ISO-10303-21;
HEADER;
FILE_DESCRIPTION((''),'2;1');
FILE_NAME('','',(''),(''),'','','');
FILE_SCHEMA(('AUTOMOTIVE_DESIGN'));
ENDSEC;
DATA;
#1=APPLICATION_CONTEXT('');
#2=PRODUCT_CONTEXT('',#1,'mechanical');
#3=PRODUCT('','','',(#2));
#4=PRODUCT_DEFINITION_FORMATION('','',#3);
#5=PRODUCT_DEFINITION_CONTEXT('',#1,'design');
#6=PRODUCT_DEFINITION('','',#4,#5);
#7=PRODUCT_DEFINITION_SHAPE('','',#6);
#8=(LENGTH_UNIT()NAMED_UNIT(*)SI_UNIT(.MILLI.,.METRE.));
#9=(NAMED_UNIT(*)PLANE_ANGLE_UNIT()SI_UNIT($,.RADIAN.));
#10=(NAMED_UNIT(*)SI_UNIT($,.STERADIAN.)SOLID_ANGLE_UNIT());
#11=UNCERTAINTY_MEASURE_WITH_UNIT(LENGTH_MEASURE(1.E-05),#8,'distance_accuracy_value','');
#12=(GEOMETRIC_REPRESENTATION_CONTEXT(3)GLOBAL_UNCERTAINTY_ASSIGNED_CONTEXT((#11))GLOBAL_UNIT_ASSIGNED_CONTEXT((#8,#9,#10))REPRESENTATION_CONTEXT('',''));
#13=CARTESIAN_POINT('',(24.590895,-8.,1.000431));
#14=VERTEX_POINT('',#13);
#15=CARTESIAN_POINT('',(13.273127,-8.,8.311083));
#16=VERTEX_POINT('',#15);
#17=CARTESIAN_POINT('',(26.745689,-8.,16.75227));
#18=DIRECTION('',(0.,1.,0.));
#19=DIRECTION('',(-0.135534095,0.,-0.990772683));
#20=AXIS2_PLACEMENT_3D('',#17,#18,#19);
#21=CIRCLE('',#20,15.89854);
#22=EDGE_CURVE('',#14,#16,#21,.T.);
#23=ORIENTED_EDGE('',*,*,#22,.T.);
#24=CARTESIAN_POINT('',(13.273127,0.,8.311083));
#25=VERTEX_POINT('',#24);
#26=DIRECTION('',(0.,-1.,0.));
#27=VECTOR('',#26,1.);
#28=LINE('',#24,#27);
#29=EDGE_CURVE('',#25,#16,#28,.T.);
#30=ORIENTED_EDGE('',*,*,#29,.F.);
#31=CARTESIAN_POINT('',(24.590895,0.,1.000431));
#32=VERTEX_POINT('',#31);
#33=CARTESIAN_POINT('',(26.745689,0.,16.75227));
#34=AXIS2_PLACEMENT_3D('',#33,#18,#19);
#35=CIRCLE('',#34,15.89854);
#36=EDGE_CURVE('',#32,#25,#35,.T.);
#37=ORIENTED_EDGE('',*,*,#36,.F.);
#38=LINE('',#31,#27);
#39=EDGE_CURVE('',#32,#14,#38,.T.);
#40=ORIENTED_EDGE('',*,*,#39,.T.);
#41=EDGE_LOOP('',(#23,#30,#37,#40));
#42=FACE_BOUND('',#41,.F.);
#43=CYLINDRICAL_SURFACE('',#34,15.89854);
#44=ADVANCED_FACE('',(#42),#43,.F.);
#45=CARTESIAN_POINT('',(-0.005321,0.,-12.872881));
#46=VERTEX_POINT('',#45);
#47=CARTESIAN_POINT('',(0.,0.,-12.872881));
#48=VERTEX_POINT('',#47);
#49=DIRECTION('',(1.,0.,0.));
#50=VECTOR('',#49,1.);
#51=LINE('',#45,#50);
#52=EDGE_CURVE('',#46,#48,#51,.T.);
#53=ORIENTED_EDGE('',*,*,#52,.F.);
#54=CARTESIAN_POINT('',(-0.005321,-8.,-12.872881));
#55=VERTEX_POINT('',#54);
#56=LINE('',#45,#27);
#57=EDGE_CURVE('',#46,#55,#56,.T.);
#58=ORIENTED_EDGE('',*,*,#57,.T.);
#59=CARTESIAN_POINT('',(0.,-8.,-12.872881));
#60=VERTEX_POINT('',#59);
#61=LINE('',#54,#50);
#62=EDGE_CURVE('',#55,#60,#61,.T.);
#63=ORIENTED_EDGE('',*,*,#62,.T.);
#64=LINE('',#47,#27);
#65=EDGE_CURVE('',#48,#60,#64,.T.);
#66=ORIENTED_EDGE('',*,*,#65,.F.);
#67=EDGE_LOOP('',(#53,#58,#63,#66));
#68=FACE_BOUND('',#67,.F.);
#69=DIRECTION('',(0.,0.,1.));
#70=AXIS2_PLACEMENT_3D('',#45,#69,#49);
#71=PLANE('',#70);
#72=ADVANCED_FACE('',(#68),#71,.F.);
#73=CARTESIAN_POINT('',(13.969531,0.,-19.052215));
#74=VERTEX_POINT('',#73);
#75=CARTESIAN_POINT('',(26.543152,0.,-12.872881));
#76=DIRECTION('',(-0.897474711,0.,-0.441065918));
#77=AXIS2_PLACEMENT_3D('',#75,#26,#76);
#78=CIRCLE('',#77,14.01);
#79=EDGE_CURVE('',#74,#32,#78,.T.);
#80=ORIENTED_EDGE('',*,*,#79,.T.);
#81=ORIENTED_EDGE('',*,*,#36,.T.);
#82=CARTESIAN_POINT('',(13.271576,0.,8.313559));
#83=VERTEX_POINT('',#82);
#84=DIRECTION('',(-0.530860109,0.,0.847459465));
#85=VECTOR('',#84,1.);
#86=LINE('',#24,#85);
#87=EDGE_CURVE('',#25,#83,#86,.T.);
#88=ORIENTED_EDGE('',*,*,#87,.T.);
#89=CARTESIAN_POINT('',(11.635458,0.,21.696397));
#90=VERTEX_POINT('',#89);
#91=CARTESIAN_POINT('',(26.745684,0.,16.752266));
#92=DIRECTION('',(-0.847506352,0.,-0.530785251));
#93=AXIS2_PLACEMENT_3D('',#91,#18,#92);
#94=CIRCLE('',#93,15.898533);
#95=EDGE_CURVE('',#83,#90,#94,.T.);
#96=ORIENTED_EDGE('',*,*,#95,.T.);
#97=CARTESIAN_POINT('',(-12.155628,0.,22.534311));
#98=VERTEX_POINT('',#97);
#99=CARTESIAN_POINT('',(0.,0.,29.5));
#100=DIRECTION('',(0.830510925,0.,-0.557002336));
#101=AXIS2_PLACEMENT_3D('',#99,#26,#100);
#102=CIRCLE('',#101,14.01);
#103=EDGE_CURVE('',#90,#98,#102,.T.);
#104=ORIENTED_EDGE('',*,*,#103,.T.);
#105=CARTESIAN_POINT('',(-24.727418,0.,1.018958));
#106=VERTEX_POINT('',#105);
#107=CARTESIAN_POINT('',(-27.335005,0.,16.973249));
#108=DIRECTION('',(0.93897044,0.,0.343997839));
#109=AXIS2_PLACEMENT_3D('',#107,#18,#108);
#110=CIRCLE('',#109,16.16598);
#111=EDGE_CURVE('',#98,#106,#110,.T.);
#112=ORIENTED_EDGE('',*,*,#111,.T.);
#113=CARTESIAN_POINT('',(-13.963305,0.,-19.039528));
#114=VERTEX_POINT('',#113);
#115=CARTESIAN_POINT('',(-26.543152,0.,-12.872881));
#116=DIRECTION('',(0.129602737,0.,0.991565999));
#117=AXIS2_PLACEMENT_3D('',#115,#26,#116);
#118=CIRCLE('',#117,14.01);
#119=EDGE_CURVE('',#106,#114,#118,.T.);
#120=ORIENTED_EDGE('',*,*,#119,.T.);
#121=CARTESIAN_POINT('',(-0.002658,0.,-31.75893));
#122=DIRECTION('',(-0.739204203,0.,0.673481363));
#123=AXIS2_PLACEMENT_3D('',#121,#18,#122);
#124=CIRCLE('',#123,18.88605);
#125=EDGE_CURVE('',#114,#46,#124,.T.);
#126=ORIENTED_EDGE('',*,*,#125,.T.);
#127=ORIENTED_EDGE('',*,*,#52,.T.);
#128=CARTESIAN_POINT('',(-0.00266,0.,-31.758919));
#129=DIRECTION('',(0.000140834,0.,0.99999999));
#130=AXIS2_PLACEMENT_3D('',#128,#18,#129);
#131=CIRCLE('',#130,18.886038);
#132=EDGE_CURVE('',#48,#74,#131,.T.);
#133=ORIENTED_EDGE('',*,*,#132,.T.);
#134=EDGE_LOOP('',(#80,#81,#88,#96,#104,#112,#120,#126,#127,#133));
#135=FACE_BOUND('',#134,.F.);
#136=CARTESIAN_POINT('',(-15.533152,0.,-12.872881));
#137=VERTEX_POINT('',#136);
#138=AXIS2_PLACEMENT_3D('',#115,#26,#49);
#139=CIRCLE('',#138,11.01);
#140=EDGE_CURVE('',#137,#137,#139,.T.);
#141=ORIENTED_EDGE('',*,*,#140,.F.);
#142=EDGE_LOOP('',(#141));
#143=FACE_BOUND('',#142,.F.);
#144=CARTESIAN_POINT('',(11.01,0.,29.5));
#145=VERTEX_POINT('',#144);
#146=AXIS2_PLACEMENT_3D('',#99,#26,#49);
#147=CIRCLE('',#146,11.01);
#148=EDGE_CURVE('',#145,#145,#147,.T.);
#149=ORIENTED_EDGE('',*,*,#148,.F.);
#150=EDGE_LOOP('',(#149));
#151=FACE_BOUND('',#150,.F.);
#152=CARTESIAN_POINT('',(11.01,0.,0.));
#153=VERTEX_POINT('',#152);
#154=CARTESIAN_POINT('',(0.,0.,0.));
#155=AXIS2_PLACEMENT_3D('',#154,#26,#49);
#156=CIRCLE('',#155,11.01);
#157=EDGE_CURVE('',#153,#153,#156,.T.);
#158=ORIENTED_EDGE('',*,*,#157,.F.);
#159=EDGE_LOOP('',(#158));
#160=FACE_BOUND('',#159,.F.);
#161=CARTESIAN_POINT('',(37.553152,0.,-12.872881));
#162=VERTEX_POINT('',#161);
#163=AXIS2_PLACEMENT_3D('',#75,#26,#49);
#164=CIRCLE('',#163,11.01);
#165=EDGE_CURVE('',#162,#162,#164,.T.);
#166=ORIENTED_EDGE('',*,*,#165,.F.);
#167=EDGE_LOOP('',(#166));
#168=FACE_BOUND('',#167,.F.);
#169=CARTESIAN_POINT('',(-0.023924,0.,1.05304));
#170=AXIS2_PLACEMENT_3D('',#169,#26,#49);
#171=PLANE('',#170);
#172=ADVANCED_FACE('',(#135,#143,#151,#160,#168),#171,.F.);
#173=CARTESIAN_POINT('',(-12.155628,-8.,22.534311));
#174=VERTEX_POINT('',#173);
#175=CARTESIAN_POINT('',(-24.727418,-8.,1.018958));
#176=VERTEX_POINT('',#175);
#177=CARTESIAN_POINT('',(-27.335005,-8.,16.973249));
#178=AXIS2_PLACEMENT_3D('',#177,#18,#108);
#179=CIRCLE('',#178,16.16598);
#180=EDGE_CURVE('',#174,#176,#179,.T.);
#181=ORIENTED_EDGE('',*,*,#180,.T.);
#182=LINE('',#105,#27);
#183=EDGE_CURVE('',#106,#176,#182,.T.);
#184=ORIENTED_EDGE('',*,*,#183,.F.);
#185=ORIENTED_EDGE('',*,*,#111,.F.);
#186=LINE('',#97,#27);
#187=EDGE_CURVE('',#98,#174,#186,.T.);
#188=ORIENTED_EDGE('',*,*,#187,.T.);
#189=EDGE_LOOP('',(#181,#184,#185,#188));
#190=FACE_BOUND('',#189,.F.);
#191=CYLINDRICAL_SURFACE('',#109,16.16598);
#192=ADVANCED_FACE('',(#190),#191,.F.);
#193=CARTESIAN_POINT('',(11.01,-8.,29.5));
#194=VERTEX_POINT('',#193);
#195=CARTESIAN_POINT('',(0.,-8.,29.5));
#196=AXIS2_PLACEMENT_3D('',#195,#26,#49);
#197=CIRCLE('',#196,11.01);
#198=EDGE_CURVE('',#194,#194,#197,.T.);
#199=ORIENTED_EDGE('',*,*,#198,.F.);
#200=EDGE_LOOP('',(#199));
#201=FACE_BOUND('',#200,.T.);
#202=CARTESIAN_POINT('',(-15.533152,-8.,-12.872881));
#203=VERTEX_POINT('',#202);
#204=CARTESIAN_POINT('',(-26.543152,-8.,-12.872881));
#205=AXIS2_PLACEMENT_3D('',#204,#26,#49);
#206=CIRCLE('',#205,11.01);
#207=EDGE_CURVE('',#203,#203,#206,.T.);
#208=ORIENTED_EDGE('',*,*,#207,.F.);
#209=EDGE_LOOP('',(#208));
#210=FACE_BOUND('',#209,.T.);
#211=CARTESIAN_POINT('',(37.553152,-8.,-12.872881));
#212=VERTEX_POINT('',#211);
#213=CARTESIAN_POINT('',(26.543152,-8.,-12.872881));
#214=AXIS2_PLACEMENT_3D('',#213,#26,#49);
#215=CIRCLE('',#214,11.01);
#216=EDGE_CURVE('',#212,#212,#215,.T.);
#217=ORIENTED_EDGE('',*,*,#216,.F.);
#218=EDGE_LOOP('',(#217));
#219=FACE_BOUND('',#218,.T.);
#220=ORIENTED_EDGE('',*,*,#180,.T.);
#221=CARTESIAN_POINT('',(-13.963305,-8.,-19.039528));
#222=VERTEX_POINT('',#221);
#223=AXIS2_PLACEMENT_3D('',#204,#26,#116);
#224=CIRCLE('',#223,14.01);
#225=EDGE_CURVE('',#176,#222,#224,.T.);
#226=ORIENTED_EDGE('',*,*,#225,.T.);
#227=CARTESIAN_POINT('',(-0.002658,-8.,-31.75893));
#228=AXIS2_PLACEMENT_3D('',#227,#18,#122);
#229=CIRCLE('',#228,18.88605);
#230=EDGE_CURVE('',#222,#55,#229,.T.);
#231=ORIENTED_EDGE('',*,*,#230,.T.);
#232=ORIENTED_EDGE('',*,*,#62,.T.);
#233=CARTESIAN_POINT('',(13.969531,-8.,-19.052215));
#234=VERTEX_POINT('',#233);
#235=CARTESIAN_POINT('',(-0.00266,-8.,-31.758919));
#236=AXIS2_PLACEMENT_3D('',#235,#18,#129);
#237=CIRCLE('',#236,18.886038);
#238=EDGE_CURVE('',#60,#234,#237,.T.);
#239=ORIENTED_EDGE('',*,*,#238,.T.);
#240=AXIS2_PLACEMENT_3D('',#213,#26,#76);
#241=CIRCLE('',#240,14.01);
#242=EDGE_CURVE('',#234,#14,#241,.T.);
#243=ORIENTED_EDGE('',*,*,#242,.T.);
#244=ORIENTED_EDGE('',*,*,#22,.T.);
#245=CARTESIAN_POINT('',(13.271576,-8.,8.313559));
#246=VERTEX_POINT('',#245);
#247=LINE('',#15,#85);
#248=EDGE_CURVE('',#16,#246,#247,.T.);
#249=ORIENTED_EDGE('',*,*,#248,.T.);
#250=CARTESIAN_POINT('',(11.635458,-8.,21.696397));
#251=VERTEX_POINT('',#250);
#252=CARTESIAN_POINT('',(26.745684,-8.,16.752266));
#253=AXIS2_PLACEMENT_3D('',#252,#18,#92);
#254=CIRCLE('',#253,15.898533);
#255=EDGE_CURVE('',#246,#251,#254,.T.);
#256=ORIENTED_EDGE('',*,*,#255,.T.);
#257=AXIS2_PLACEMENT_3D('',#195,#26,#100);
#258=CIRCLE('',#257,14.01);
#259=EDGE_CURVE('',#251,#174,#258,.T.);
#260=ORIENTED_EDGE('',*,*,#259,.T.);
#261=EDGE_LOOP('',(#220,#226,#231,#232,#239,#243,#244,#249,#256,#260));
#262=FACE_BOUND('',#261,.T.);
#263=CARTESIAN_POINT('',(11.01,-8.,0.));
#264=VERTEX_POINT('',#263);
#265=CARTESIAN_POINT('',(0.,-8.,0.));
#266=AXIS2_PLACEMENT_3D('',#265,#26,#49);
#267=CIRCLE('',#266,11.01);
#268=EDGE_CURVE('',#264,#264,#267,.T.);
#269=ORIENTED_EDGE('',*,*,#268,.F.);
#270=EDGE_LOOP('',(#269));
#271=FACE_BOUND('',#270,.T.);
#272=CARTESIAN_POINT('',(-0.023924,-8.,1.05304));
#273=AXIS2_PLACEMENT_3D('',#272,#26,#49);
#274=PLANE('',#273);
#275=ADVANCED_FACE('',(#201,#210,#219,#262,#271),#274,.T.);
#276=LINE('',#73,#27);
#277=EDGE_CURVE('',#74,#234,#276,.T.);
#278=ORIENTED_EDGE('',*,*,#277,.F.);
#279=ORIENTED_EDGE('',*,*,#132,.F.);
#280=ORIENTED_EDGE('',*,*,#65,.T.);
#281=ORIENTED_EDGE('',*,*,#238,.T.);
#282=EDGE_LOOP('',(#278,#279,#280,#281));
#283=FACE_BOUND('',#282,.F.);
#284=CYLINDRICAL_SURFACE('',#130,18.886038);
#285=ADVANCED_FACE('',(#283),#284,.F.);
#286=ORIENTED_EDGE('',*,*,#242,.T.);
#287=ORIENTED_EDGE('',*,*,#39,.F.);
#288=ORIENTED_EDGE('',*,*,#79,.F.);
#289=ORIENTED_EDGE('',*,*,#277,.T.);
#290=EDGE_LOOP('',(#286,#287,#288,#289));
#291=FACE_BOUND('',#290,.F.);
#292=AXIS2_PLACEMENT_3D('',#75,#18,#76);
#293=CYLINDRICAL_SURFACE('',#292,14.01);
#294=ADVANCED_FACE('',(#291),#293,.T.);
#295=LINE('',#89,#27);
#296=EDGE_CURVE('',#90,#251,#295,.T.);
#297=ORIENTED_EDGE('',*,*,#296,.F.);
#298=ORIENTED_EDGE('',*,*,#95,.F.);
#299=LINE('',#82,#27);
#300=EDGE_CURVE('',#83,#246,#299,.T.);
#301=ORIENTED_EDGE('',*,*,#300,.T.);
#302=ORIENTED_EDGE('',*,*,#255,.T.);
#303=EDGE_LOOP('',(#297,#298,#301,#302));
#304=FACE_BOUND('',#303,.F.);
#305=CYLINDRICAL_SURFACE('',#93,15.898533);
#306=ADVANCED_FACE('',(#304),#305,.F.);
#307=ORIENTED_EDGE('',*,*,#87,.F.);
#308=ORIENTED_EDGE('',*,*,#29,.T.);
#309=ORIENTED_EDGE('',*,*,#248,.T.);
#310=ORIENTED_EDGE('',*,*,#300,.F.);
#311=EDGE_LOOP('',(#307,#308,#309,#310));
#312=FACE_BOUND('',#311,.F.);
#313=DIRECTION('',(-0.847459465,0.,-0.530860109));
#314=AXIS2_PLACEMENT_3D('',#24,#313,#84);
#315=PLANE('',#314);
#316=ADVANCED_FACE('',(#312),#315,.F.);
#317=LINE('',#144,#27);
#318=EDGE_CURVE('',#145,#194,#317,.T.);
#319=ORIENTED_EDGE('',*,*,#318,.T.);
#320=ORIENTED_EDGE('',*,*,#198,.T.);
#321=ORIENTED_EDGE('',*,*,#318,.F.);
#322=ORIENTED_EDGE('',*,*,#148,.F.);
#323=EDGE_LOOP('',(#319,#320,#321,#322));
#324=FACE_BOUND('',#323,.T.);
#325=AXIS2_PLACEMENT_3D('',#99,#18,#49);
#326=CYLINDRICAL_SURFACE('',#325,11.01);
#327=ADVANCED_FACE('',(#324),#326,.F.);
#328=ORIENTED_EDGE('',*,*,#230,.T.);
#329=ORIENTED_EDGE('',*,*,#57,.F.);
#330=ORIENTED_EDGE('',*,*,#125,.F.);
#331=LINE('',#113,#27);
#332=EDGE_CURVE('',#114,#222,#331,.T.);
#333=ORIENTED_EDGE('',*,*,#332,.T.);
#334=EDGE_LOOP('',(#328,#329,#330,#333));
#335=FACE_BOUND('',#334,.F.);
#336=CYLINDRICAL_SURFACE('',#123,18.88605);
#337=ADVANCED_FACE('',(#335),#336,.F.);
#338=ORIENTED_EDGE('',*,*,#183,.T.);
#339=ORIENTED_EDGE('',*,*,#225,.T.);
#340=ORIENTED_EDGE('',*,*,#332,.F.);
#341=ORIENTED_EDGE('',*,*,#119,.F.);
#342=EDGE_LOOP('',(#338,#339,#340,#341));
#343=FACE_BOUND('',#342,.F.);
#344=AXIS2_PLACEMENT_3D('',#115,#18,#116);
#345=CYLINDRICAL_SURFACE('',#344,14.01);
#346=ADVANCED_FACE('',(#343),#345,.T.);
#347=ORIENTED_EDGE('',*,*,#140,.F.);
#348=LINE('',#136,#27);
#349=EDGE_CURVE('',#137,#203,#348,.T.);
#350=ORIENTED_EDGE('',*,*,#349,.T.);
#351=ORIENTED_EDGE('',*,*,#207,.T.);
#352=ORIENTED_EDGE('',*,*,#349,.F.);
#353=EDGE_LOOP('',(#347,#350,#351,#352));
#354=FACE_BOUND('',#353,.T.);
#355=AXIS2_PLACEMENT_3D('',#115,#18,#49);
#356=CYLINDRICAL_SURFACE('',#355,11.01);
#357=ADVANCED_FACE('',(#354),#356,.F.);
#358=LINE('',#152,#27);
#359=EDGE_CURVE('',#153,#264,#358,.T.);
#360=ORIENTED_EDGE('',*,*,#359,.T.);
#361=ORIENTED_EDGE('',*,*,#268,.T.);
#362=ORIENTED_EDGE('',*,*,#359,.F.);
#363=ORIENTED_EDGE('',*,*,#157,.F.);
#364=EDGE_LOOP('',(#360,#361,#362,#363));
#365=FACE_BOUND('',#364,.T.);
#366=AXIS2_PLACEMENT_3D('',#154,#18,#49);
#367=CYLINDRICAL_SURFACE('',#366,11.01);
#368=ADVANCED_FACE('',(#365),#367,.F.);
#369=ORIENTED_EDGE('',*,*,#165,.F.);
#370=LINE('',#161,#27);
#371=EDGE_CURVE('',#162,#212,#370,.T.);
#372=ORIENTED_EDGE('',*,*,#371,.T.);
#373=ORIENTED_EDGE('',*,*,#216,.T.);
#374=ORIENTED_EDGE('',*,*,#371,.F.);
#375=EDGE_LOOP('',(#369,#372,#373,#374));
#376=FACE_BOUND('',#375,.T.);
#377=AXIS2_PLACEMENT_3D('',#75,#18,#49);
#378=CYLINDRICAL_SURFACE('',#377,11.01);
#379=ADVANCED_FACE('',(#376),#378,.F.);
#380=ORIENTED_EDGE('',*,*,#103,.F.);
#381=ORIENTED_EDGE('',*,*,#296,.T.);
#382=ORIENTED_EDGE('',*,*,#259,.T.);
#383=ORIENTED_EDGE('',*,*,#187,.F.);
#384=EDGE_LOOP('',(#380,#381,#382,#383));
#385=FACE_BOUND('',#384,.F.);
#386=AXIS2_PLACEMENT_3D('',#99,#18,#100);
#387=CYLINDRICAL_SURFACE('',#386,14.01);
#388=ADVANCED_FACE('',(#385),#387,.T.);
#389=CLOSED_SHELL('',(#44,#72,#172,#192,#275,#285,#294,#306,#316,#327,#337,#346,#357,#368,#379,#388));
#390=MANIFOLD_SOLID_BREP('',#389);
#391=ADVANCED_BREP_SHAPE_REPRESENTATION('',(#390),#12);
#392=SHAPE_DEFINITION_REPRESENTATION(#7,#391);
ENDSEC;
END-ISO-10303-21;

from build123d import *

# Parameters (mm, degrees)
F0_R     = 11.01
F1_DEPTH = 8


with BuildPart() as f1:
    # F0 (on Front) → F1 (new body)
    with BuildSketch(Plane.XZ):
        with BuildLine():
            Line((-0.005321, -12.872881), (0, -12.872881))
            ThreePointArc((0, -12.872881), (7.637377, -14.4872), (13.969531, -19.052215))
            ThreePointArc((13.969531, -19.052215), (38.923678, -19.430524), (24.590895, 1.000431))
            ThreePointArc((24.590895, 1.000431), (18.119278, 3.397548), (13.273127, 8.311083))
            Line((13.273127, 8.311083), (13.271576, 8.313559))
            ThreePointArc((13.271576, 8.313559), (10.964647, 14.822957), (11.635458, 21.696397))
            ThreePointArc((11.635458, 21.696397), (0.493122, 43.501319), (-12.155628, 22.534311))
            ThreePointArc((-12.155628, 22.534311), (-13.377153, 8.817437), (-24.727418, 1.018958))
            ThreePointArc((-24.727418, 1.018958), (-38.887945, -19.497546), (-13.963305, -19.039528))
            ThreePointArc((-13.963305, -19.039528), (-7.634852, -14.483732), (-0.005321, -12.872881))
        make_face()
        with Locations((-26.543152, -12.872881)):
            Circle(F0_R, mode=Mode.SUBTRACT)
        with Locations((26.543152, -12.872881)):
            Circle(F0_R, mode=Mode.SUBTRACT)
        Circle(F0_R, mode=Mode.SUBTRACT)
        with Locations((0, 29.5)):
            Circle(F0_R, mode=Mode.SUBTRACT)
    extrude(amount=F1_DEPTH)


solid = f1.part
